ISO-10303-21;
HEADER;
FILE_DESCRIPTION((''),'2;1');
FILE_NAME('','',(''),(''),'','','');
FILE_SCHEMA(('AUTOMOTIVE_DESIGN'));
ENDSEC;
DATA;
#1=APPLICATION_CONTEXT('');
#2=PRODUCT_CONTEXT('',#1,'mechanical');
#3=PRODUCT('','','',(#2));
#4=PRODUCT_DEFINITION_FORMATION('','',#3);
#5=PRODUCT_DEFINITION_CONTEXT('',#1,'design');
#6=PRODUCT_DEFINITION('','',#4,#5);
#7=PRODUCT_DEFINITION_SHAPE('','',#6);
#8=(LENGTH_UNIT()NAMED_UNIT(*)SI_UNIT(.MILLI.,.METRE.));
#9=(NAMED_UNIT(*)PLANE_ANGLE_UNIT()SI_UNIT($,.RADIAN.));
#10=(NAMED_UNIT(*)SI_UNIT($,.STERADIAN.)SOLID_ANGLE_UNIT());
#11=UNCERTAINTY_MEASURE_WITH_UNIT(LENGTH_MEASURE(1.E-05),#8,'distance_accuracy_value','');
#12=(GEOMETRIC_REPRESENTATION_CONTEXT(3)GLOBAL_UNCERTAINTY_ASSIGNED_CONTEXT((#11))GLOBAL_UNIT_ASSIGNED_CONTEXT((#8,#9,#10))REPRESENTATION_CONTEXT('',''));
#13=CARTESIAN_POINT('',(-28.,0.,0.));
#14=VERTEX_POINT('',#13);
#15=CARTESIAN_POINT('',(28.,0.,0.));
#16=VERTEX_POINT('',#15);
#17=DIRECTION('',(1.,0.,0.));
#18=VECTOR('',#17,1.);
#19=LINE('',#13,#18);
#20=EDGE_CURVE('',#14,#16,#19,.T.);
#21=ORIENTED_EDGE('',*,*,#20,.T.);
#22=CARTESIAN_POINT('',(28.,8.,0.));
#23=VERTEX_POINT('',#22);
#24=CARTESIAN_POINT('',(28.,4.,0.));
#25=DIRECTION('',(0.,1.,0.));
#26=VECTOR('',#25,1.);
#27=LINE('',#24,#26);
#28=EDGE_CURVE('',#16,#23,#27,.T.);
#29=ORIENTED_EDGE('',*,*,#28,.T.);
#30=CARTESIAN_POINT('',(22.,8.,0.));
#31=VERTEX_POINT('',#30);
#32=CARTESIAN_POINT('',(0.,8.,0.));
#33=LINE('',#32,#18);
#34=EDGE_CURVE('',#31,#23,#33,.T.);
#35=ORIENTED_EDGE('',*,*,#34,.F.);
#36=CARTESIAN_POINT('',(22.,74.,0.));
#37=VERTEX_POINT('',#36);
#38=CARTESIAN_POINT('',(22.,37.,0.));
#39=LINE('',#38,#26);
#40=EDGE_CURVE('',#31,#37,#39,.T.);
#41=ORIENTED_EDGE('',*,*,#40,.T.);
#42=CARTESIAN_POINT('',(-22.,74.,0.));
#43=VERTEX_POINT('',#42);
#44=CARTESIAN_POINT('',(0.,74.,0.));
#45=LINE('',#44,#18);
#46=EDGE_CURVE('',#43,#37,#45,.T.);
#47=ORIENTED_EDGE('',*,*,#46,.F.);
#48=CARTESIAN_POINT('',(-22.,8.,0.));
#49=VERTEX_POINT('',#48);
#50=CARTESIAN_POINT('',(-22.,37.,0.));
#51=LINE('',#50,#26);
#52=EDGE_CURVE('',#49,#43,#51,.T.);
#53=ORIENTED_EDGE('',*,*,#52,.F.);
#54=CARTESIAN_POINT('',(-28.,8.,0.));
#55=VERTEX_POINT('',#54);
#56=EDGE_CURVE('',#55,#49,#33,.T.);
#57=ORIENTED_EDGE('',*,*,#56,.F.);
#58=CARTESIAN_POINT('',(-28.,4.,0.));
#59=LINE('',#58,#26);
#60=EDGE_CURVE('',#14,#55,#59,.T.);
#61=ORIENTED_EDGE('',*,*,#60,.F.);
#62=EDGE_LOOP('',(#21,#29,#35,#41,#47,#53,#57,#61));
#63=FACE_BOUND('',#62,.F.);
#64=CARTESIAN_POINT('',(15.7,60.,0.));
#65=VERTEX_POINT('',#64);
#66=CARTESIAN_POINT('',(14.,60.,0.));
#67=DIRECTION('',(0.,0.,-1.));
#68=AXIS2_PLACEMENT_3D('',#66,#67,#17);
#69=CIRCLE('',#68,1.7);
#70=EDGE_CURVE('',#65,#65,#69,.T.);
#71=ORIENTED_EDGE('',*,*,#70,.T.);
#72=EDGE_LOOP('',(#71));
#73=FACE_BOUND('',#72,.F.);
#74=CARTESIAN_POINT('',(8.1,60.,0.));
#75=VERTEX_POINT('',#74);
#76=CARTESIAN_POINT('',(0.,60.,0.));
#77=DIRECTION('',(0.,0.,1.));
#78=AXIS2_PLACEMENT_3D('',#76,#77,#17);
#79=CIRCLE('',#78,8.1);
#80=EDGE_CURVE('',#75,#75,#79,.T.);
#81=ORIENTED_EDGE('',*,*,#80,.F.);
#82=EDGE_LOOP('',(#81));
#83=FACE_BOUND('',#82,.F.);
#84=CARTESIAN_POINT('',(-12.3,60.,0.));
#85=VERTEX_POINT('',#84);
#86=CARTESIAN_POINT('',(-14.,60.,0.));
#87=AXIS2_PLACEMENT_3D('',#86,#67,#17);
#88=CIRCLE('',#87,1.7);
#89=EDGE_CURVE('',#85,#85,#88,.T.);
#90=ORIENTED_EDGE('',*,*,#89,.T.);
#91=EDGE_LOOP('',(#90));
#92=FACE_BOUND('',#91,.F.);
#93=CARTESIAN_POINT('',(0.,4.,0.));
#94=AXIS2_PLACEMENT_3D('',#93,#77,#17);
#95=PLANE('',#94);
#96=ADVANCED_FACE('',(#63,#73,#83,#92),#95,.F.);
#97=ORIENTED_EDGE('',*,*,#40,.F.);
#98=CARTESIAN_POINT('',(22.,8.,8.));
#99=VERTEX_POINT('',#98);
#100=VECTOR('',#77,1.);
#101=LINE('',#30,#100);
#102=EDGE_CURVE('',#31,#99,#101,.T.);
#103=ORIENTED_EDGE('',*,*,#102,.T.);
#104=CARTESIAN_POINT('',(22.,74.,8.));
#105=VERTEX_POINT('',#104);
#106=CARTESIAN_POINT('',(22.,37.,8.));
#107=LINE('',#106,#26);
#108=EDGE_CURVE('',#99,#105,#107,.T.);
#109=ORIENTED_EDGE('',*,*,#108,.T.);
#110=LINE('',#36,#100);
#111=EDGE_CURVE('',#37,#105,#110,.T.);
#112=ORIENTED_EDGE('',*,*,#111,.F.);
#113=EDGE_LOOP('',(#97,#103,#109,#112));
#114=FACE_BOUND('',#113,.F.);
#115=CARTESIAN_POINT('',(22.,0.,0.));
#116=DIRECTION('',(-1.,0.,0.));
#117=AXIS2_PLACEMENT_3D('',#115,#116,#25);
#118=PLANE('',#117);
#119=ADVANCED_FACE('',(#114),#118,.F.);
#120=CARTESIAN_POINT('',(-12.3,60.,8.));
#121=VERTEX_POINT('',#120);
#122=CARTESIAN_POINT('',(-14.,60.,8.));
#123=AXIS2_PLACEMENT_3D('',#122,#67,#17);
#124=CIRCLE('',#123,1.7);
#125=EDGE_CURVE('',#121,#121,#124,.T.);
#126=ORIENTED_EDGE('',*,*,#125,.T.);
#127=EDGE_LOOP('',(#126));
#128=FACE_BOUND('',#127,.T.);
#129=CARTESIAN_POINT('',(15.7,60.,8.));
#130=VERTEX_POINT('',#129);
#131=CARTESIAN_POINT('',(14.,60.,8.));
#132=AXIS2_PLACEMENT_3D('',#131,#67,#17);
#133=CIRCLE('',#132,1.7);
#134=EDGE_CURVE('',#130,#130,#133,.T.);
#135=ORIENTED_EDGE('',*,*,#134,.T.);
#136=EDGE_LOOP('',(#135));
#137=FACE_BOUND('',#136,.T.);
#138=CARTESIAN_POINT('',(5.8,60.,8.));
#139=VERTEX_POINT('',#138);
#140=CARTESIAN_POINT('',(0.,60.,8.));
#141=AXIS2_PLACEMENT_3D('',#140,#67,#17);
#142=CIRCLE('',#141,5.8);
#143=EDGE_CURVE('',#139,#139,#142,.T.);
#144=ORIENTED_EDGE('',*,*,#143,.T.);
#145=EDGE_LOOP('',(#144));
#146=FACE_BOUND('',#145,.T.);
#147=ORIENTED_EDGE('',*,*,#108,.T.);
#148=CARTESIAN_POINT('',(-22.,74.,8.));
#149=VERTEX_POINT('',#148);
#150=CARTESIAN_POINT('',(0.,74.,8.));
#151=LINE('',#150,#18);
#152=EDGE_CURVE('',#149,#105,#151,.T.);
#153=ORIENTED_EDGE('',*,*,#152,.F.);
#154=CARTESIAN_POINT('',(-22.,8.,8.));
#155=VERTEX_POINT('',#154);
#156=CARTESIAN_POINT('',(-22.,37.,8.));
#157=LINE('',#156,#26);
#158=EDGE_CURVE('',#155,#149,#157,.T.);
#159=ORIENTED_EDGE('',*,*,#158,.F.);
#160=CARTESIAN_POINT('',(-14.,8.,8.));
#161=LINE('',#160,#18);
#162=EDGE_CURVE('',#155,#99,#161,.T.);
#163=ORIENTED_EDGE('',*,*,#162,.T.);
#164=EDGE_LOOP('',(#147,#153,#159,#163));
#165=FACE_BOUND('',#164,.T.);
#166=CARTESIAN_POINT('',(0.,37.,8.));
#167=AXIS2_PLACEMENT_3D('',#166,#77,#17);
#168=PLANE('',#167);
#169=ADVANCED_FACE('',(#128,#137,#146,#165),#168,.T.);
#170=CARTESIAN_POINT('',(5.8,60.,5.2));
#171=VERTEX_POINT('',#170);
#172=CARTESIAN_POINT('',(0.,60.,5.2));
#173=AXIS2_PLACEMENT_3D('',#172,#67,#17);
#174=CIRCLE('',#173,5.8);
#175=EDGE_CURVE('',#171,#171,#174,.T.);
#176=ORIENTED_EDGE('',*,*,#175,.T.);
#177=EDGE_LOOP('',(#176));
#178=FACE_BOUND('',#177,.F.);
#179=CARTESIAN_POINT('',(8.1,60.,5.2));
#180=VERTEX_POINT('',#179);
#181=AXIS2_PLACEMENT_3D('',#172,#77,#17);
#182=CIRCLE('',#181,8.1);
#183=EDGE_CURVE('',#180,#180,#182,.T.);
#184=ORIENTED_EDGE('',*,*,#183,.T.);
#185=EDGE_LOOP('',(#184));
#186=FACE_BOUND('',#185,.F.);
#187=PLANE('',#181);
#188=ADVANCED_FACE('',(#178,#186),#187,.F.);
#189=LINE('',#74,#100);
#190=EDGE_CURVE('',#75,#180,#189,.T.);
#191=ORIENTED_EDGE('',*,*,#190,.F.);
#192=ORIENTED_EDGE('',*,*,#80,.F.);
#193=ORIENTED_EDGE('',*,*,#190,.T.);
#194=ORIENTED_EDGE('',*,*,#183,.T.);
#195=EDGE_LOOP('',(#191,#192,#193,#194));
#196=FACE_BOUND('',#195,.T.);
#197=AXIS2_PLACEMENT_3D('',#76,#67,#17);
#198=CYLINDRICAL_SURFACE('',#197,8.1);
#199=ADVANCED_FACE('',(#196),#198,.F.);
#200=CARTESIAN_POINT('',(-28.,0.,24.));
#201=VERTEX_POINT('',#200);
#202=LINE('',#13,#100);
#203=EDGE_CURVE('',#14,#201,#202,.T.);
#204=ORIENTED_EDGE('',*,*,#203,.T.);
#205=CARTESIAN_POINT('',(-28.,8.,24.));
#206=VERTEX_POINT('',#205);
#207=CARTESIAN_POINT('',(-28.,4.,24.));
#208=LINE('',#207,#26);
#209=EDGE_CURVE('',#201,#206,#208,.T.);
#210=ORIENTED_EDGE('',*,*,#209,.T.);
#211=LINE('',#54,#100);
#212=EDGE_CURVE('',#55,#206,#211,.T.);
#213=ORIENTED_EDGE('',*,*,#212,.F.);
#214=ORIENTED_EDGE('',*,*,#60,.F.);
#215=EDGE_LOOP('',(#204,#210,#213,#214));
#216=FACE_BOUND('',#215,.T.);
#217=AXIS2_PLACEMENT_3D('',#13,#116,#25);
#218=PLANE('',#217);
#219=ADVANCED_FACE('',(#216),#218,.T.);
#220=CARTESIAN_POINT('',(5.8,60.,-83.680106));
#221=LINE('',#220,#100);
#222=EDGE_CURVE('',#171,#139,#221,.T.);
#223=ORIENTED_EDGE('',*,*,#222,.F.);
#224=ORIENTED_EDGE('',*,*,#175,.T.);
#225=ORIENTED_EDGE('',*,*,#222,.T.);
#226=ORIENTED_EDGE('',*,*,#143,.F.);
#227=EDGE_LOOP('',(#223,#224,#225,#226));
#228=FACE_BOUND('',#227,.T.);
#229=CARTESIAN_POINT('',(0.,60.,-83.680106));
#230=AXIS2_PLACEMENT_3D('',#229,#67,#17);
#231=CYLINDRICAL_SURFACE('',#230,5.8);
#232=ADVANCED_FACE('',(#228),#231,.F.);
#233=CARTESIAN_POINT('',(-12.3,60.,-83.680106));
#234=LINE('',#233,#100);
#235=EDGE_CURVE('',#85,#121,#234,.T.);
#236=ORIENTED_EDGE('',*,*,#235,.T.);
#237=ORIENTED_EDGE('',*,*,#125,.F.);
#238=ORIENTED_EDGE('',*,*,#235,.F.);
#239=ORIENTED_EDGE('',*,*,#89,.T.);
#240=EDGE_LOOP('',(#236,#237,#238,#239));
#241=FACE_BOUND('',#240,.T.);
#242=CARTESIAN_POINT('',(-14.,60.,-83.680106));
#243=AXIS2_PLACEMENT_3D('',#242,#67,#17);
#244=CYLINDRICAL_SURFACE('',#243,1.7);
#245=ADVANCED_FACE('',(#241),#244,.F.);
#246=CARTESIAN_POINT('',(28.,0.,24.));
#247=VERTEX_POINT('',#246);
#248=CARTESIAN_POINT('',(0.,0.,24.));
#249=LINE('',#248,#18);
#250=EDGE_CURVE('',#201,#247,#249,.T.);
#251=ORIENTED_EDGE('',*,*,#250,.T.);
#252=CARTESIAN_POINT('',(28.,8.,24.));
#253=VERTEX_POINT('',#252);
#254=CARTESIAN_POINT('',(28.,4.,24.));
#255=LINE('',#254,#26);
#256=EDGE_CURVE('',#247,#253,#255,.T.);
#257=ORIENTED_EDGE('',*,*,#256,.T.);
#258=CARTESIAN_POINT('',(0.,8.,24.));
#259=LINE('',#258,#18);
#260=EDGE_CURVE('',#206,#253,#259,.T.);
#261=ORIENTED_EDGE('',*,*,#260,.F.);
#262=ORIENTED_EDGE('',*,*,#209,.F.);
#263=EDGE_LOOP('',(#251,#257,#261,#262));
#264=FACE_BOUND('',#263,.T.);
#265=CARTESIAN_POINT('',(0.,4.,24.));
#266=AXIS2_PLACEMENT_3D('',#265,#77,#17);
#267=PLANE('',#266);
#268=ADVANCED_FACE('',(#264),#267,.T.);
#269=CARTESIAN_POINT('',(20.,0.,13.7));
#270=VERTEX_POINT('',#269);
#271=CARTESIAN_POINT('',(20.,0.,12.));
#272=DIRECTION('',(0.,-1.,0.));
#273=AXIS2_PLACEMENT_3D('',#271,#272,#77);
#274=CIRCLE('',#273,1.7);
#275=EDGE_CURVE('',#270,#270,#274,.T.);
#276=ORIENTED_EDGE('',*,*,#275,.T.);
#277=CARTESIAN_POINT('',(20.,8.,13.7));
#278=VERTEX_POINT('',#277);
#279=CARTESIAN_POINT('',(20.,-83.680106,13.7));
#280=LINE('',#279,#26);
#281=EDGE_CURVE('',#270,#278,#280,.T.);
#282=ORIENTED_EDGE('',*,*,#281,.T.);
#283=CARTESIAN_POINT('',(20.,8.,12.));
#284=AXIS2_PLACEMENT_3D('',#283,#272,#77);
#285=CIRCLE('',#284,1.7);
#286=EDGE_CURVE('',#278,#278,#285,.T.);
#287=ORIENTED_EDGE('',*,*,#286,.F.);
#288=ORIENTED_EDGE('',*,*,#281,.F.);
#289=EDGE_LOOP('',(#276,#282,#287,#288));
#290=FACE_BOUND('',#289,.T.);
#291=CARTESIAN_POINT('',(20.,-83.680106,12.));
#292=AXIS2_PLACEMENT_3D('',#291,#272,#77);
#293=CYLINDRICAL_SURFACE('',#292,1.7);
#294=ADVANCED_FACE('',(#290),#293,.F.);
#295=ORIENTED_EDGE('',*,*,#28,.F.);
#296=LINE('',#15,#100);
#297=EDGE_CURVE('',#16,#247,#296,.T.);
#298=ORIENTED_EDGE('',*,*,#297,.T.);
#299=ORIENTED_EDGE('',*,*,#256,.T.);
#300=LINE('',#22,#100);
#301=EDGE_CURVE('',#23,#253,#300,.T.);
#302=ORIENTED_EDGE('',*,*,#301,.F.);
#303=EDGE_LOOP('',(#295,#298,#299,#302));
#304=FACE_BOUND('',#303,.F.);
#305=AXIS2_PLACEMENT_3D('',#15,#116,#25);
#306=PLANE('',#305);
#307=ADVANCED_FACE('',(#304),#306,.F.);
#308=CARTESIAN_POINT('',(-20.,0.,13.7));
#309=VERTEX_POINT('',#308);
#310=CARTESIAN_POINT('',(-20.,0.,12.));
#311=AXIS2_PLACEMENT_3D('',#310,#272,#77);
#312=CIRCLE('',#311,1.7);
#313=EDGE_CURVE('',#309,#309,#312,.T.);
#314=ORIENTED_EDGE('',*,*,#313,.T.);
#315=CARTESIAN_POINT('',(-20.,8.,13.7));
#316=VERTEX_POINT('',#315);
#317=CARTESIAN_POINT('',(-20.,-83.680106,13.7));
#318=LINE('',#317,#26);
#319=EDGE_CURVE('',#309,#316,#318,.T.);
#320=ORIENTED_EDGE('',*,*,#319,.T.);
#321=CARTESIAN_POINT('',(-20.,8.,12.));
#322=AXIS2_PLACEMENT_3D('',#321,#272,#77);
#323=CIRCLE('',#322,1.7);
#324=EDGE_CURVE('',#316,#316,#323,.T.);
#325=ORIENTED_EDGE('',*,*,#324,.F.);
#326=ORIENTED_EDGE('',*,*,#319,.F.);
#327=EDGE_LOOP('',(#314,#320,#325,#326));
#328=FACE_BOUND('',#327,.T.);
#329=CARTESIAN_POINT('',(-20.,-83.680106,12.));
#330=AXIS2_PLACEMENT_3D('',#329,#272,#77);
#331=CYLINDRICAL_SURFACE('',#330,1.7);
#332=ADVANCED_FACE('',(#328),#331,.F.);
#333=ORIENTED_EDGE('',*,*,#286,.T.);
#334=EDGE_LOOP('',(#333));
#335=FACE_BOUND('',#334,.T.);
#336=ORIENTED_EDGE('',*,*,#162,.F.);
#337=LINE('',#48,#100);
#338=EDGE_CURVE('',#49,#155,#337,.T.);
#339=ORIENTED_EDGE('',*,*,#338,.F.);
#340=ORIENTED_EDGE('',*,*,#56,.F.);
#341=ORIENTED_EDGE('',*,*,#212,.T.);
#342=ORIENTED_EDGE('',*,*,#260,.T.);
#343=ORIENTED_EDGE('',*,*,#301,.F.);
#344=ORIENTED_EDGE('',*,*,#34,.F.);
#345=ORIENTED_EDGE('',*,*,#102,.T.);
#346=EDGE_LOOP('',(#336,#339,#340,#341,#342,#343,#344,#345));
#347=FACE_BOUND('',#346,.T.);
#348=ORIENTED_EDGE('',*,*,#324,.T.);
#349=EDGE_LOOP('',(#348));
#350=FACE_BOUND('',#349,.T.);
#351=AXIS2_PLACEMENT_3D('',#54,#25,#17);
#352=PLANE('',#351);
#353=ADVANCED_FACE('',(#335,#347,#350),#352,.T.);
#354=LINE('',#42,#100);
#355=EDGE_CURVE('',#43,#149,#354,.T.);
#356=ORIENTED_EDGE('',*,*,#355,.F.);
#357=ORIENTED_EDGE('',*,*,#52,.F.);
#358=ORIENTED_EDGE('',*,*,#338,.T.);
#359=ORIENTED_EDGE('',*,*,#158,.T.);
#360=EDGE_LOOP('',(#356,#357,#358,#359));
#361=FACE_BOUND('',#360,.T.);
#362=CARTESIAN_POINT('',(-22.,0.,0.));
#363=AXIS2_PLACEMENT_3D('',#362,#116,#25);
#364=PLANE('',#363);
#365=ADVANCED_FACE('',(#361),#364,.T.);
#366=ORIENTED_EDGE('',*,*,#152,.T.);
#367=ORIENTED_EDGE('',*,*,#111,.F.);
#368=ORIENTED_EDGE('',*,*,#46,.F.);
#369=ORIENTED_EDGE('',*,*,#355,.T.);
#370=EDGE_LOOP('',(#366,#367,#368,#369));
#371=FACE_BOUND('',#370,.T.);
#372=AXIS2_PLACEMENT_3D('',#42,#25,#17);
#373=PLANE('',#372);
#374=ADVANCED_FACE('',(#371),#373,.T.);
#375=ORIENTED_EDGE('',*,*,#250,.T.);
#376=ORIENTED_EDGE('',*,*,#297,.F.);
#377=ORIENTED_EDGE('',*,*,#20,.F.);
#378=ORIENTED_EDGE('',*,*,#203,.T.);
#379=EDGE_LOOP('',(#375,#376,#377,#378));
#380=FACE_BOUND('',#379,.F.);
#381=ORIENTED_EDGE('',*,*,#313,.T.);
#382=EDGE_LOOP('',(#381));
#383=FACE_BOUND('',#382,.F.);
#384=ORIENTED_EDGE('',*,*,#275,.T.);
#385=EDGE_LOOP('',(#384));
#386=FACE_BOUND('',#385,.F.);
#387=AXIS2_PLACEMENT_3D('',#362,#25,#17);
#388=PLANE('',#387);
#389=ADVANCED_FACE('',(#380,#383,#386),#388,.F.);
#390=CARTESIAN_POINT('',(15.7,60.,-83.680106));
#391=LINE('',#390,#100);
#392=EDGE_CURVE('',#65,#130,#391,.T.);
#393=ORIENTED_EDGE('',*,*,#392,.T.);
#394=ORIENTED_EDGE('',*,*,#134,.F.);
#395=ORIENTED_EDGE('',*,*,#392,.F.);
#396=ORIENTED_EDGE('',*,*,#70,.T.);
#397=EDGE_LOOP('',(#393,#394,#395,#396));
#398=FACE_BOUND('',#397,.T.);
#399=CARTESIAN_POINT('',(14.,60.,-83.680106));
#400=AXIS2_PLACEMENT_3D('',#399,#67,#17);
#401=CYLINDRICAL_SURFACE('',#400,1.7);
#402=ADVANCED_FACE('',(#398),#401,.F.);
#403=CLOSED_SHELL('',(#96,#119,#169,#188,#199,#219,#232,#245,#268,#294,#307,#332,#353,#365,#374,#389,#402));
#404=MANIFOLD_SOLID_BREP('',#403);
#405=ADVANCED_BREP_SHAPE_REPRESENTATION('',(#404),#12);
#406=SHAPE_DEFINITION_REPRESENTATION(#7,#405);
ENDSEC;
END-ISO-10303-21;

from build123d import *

# Parameters (mm, degrees)
SKETCH_1_W                                   = 56
SKETCH_1_H                                   = 8
FOOT_56X24X8_DEPTH                           = 24
SKETCH_2_W                                   = 44
SKETCH_2_H                                   = 74
TOWER_PIVOT_HEIGHT60_DEPTH                   = 8
SHAFT_ACCESS_AND_RETAINER_M3_DEPTH           = 83.680106434
SHAFT_ACCESS_AND_RETAINER_M3_DEPTH_BACK      = 83.680106434
SKETCH_3_R                                   = 5.8
SKETCH_3_R_2                                 = 1.7
SKETCH_4_R                                   = 8.1
F_625ZZ_POCKET_D16P2_DEPTH5P2_TEST_FIT_DEPTH = 5.2
FOOT_M3_THROUGH_DEPTH                        = 83.680106434
FOOT_M3_THROUGH_DEPTH_BACK                   = 83.680106434
SKETCH_5_R                                   = 1.7


with BuildPart() as part:
    # 草图1 → Foot_56x24x8 (new body)
    with BuildSketch(Plane.XY):
        with Locations((0, 4)):
            Rectangle(SKETCH_1_W, SKETCH_1_H)
    extrude(amount=FOOT_56X24X8_DEPTH)

    # 草图2 → Tower_pivot_height60 (add)
    with BuildSketch(Plane.XY):
        with Locations((0, 37)):
            Rectangle(SKETCH_2_W, SKETCH_2_H)
    extrude(amount=TOWER_PIVOT_HEIGHT60_DEPTH)

    # 草图3 → Shaft_access_and_retainer_M3 (cut, two sides: drawn at the far end of the back side and taken through both)
    with BuildSketch(Plane.XY.offset(-SHAFT_ACCESS_AND_RETAINER_M3_DEPTH_BACK)):
        with Locations((0, 60)):
            Circle(SKETCH_3_R)
        with Locations((-14, 60)):
            Circle(SKETCH_3_R_2)
        with Locations((14, 60)):
            Circle(SKETCH_3_R_2)
    extrude(amount=SHAFT_ACCESS_AND_RETAINER_M3_DEPTH + SHAFT_ACCESS_AND_RETAINER_M3_DEPTH_BACK, mode=Mode.SUBTRACT)

    # 草图4 → 625ZZ_pocket_D16p2_depth5p2_TEST_FIT (cut)
    with BuildSketch(Plane.XY):
        with Locations((0, 60)):
            Circle(SKETCH_4_R)
    extrude(amount=F_625ZZ_POCKET_D16P2_DEPTH5P2_TEST_FIT_DEPTH, mode=Mode.SUBTRACT)

    # 草图5 → Foot_M3_through (cut, two sides: drawn at the far end of the back side and taken through both)
    with BuildSketch(Plane(origin=(0, 0, 0), x_dir=(1, 0, 0), z_dir=(0, 1, 0)).offset(-FOOT_M3_THROUGH_DEPTH_BACK)):
        with Locations(Location((-20, -12, 0), (0, 0, 270))):
            Circle(SKETCH_5_R)
        with Locations(Location((20, -12, 0), (0, 0, 270))):
            Circle(SKETCH_5_R)
    extrude(amount=FOOT_M3_THROUGH_DEPTH + FOOT_M3_THROUGH_DEPTH_BACK, mode=Mode.SUBTRACT)


solid = part.part
